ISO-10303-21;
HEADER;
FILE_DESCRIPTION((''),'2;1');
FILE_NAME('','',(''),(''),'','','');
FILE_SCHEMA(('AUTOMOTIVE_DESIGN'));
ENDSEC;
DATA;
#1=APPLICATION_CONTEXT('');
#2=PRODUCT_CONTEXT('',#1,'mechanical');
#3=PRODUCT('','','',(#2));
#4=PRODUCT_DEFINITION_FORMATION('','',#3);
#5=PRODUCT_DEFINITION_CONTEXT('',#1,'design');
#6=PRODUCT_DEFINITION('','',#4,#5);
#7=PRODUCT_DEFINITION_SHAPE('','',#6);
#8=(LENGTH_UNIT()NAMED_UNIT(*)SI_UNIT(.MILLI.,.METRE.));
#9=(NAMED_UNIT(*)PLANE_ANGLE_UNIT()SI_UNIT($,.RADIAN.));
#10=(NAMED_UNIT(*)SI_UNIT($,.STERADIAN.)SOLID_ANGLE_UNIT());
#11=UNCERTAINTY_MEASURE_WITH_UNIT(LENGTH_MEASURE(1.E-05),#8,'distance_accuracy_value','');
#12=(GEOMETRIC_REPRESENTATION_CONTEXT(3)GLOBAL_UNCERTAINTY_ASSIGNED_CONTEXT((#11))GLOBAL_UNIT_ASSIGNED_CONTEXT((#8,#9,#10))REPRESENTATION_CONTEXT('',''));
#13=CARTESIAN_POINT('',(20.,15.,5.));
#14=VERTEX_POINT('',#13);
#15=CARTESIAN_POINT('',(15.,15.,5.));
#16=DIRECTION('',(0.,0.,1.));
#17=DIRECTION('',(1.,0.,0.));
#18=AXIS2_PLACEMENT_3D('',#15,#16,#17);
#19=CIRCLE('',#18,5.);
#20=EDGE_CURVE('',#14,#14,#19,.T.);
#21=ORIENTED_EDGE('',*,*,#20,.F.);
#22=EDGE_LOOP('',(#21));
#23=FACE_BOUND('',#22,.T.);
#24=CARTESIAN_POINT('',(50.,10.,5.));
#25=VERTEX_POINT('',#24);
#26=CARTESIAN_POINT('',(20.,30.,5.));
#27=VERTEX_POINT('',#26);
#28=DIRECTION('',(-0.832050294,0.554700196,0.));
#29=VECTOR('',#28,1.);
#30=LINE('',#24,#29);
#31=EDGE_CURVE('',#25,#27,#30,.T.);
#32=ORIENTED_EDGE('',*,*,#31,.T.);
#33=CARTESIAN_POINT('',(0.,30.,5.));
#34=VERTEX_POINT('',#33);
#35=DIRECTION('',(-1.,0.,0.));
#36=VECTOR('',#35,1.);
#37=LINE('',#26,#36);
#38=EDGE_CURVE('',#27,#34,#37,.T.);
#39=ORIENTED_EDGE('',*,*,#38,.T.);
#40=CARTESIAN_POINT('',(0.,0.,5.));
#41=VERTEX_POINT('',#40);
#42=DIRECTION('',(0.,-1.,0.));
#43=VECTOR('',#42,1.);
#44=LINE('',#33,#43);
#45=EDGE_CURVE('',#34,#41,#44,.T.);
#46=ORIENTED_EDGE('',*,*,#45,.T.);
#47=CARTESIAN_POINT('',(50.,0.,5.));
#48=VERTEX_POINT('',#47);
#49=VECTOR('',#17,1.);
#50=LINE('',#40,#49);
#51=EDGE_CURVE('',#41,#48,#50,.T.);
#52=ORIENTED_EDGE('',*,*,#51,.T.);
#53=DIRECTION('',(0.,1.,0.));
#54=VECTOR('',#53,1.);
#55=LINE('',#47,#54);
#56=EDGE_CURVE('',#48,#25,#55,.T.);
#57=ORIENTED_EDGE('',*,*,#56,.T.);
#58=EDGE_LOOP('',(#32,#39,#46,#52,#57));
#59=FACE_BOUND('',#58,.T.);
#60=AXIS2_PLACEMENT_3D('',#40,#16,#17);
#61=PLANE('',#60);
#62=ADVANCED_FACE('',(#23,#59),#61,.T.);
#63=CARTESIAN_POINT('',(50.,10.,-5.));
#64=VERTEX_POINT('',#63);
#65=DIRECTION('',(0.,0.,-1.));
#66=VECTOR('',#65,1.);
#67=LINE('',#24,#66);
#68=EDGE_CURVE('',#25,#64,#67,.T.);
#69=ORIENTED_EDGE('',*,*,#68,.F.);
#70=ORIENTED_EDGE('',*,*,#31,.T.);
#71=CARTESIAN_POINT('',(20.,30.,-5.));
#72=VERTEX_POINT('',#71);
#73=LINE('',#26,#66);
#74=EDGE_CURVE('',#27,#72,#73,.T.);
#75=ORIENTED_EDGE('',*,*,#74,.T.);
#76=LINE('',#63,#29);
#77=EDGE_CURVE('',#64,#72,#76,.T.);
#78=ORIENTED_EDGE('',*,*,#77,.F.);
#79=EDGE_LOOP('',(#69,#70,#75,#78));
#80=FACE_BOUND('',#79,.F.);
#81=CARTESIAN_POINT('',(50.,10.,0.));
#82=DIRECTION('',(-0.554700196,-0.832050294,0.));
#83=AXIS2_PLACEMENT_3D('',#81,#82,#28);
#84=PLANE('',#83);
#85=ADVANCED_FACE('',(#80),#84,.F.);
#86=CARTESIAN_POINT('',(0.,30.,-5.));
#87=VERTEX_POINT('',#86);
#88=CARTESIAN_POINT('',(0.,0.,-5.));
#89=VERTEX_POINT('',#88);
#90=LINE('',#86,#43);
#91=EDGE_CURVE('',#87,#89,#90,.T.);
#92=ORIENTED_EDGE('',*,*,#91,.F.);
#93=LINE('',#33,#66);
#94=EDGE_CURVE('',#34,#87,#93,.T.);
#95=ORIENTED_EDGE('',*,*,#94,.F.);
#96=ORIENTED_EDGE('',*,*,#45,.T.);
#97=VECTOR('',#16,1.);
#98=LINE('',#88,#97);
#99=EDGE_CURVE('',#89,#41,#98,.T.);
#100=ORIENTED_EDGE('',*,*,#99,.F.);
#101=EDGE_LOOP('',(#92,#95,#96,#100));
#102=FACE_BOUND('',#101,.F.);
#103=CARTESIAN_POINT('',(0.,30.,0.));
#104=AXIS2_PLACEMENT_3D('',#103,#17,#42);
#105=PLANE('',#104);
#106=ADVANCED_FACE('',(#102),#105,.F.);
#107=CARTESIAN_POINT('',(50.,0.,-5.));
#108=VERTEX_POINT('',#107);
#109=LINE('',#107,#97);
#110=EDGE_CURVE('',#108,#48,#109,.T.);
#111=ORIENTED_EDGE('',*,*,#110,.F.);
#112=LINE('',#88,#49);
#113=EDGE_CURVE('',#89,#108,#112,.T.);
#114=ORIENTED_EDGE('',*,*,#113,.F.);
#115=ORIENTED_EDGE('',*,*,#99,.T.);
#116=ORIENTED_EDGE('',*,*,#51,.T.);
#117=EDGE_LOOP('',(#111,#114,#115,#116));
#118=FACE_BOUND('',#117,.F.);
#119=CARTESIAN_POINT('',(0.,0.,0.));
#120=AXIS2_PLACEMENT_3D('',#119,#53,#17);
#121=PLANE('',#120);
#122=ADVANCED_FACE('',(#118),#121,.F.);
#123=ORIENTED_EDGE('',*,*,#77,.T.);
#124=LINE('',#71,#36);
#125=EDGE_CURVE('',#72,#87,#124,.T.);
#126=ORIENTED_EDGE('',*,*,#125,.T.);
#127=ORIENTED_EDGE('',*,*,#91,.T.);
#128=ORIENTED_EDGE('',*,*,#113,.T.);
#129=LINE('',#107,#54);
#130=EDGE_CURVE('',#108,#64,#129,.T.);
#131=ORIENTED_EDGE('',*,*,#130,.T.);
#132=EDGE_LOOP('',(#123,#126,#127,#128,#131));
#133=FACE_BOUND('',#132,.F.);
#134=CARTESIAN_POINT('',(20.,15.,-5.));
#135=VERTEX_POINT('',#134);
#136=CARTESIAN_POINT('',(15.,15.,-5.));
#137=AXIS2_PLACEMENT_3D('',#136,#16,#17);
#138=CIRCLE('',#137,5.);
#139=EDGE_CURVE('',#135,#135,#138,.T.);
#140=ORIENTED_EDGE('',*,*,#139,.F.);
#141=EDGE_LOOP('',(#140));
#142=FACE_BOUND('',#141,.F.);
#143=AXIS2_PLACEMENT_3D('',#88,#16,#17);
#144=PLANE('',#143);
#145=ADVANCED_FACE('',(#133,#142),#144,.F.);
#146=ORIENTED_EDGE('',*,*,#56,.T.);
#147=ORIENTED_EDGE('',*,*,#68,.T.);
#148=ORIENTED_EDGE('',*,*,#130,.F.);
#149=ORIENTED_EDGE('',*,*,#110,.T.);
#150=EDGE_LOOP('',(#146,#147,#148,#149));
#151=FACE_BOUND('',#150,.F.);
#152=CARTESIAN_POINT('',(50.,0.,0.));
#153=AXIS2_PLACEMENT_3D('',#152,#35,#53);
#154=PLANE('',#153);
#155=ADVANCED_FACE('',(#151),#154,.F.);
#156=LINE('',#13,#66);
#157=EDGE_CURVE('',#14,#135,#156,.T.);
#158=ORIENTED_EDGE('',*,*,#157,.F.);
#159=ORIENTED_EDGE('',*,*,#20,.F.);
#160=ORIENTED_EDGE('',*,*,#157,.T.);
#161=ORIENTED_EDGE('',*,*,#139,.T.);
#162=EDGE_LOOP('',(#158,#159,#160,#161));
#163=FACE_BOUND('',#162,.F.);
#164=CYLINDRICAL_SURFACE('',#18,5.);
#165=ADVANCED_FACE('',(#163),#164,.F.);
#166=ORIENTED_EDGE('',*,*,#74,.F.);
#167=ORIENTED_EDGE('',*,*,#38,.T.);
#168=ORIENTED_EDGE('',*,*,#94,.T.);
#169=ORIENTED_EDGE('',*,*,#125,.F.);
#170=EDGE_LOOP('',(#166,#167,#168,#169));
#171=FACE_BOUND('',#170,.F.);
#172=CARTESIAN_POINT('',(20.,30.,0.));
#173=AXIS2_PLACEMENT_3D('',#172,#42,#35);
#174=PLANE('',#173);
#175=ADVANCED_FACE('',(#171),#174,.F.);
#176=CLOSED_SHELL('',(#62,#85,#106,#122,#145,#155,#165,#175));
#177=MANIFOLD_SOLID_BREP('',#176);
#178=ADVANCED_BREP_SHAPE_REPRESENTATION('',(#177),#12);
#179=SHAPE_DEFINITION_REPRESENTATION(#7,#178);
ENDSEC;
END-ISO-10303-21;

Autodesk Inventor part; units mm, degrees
ref_plane "YZ Plane" through (0, 0, 0) normal (1, 0, 0) x (0, 1, 0)
ref_plane "XZ Plane" through (0, 0, 0) normal (0, 1, 0) x (-1, 0, 0)
ref_plane "XY Plane" through (0, 0, 0) normal (0, 0, 1) x (1, 0, 0)
sketch "Sketch1" plane through (0, 0, 0) normal (0, 0, 1) x (1, 0, 0)
  line L0 (0, 0) -> (50, 0)
  line L1 (50, 0) -> (50, 10)
  line L2 (50, 10) -> (20, 30)
  line L3 (20, 30) -> (0, 30)
  line L4 (0, 30) -> (0, 0)
  dimension "d0" = 10
  dimension "d1" = 20
  dimension "d2" = 50
  dimension "d3" = 30
extrude "Extrusion1" add sketch "Sketch1" along normal mid plane 10
sketch "Sketch2" plane through (0, 0, 5) normal (0, 0, 1) x (1, 0, 0)
  circle A0 centre (15, 15) radius 5
  line L0 (0, 0) -> (50, 0) projected
  line L1 (0, 30) -> (0, 0) projected
  dimension "d6" = 15
  dimension "d7" = 15
  dimension "d8" = 10
extrude "Extrusion2" cut sketch "Sketch2" against normal blind 10
